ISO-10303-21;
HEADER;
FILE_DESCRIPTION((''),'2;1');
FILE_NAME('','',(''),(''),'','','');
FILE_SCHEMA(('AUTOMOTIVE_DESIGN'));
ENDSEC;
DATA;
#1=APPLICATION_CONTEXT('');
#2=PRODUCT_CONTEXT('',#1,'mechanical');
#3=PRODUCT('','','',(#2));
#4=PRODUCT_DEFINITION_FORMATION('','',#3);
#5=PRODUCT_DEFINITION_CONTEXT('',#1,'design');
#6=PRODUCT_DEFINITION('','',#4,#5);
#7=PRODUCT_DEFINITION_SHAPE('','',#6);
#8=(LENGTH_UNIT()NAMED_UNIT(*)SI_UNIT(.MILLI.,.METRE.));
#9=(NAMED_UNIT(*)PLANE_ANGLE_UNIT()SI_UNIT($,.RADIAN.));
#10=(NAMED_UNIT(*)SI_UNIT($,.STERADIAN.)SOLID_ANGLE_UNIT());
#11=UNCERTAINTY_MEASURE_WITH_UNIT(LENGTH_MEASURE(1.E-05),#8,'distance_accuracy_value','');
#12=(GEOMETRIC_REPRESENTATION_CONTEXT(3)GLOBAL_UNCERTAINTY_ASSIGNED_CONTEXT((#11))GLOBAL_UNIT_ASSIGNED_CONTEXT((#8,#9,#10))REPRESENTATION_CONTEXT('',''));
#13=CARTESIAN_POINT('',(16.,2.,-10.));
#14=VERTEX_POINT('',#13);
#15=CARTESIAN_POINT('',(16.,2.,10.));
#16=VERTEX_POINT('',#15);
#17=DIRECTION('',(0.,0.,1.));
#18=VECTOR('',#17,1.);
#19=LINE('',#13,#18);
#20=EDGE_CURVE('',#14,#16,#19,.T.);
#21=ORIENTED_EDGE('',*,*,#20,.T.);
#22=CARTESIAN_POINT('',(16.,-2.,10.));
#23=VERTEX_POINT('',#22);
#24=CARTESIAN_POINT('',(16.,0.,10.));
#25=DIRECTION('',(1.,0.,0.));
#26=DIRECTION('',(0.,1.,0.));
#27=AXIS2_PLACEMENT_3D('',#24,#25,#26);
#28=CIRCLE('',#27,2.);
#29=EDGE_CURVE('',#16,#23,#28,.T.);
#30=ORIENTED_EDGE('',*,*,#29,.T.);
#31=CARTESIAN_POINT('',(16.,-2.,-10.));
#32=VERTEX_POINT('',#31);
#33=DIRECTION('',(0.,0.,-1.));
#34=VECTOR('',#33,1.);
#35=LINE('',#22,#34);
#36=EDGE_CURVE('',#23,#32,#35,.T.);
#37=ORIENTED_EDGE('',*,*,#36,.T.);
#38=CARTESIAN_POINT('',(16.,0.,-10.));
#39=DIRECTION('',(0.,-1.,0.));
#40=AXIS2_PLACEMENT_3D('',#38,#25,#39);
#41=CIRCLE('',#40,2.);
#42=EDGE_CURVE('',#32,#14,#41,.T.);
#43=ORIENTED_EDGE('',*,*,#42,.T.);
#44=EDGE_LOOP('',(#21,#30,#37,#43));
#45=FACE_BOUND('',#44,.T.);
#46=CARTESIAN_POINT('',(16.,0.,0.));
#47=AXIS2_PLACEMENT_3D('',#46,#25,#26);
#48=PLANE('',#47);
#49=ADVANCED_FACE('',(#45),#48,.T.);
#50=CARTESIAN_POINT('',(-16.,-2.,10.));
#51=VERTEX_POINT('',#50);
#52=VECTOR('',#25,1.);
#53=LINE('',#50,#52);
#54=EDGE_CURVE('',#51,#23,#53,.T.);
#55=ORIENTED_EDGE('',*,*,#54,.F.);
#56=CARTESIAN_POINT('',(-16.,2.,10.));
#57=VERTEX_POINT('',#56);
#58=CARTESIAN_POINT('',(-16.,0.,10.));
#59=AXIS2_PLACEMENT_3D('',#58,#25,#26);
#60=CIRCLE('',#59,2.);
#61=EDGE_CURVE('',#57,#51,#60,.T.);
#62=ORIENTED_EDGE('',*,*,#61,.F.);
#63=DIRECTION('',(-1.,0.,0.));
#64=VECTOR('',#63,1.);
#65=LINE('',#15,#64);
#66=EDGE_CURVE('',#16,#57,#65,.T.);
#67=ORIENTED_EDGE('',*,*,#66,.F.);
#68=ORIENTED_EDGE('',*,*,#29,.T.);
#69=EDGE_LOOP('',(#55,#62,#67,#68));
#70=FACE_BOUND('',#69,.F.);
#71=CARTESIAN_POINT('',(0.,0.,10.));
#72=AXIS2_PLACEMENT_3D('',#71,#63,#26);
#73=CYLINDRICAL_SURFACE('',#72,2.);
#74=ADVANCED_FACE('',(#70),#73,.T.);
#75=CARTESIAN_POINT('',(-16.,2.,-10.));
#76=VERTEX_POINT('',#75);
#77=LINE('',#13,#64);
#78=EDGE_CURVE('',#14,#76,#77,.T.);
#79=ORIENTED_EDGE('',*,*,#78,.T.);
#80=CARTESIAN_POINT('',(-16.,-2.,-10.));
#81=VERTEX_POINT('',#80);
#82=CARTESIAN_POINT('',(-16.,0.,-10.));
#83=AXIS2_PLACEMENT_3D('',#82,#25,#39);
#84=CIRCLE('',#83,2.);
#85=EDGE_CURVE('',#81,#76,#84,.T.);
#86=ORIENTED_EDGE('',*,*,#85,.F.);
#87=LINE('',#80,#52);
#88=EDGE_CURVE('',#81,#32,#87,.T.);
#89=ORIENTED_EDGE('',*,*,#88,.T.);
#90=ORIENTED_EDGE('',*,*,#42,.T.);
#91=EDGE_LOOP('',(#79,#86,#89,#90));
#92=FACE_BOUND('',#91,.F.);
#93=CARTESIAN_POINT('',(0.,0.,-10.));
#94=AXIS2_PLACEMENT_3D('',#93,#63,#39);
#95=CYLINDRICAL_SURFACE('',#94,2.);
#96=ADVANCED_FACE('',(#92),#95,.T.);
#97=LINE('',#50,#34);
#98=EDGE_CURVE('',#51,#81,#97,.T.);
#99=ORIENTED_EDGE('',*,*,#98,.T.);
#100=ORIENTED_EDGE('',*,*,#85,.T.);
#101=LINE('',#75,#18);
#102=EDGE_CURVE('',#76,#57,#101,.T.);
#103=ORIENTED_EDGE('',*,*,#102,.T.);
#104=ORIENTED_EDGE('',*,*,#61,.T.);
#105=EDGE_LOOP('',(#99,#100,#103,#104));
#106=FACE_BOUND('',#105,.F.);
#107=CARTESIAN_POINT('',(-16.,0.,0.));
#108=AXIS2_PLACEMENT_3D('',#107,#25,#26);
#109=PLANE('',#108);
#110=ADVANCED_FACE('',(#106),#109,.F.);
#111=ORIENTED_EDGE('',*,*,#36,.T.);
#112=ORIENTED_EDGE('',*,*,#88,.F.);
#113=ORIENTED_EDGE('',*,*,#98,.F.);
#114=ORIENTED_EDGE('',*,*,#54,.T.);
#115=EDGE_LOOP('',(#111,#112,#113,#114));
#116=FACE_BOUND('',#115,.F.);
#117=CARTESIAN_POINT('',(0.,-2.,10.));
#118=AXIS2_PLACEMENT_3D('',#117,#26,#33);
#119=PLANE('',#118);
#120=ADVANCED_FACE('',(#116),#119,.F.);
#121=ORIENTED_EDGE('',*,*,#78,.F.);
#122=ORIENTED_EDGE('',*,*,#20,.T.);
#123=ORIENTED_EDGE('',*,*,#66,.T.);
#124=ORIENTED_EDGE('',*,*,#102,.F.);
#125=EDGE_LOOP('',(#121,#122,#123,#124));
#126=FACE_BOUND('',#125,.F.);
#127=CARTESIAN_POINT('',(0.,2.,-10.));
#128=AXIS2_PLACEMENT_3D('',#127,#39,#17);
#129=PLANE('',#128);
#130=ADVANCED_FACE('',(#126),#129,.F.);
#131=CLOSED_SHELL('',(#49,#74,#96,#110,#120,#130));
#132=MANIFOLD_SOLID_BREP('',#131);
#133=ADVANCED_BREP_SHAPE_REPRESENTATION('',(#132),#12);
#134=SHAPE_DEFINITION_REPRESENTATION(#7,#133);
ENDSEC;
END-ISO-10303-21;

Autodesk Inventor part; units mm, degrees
ref_plane "YZ Plane" through (0, 0, 0) normal (1, 0, 0) x (0, 1, 0)
ref_plane "XZ Plane" through (0, 0, 0) normal (0, 1, 0) x (-1, 0, 0)
ref_plane "XY Plane" through (0, 0, 0) normal (0, 0, 1) x (1, 0, 0)
sketch "Sketch1" plane through (0, 0, 0) normal (1, 0, 0) x (0, 1, 0)
  line L0 (0, 10) -> (0, -10) construction
  line L1 (-2, 10) -> (-2, -10)
  line L2 (2, -10) -> (2, 10)
  arc A0 (2, 10) -> (-2, 10) centre (0, 10) ccw
  arc A1 (-2, -10) -> (2, -10) centre (0, -10) ccw
  point P0 (0, 0)
  dimension "d0" = 10
  dimension "d1" = 4
extrude "Extrusion1" add sketch "Sketch1" along normal blind 16 and the other way blind 16
properties part number "LineupDomioL"
